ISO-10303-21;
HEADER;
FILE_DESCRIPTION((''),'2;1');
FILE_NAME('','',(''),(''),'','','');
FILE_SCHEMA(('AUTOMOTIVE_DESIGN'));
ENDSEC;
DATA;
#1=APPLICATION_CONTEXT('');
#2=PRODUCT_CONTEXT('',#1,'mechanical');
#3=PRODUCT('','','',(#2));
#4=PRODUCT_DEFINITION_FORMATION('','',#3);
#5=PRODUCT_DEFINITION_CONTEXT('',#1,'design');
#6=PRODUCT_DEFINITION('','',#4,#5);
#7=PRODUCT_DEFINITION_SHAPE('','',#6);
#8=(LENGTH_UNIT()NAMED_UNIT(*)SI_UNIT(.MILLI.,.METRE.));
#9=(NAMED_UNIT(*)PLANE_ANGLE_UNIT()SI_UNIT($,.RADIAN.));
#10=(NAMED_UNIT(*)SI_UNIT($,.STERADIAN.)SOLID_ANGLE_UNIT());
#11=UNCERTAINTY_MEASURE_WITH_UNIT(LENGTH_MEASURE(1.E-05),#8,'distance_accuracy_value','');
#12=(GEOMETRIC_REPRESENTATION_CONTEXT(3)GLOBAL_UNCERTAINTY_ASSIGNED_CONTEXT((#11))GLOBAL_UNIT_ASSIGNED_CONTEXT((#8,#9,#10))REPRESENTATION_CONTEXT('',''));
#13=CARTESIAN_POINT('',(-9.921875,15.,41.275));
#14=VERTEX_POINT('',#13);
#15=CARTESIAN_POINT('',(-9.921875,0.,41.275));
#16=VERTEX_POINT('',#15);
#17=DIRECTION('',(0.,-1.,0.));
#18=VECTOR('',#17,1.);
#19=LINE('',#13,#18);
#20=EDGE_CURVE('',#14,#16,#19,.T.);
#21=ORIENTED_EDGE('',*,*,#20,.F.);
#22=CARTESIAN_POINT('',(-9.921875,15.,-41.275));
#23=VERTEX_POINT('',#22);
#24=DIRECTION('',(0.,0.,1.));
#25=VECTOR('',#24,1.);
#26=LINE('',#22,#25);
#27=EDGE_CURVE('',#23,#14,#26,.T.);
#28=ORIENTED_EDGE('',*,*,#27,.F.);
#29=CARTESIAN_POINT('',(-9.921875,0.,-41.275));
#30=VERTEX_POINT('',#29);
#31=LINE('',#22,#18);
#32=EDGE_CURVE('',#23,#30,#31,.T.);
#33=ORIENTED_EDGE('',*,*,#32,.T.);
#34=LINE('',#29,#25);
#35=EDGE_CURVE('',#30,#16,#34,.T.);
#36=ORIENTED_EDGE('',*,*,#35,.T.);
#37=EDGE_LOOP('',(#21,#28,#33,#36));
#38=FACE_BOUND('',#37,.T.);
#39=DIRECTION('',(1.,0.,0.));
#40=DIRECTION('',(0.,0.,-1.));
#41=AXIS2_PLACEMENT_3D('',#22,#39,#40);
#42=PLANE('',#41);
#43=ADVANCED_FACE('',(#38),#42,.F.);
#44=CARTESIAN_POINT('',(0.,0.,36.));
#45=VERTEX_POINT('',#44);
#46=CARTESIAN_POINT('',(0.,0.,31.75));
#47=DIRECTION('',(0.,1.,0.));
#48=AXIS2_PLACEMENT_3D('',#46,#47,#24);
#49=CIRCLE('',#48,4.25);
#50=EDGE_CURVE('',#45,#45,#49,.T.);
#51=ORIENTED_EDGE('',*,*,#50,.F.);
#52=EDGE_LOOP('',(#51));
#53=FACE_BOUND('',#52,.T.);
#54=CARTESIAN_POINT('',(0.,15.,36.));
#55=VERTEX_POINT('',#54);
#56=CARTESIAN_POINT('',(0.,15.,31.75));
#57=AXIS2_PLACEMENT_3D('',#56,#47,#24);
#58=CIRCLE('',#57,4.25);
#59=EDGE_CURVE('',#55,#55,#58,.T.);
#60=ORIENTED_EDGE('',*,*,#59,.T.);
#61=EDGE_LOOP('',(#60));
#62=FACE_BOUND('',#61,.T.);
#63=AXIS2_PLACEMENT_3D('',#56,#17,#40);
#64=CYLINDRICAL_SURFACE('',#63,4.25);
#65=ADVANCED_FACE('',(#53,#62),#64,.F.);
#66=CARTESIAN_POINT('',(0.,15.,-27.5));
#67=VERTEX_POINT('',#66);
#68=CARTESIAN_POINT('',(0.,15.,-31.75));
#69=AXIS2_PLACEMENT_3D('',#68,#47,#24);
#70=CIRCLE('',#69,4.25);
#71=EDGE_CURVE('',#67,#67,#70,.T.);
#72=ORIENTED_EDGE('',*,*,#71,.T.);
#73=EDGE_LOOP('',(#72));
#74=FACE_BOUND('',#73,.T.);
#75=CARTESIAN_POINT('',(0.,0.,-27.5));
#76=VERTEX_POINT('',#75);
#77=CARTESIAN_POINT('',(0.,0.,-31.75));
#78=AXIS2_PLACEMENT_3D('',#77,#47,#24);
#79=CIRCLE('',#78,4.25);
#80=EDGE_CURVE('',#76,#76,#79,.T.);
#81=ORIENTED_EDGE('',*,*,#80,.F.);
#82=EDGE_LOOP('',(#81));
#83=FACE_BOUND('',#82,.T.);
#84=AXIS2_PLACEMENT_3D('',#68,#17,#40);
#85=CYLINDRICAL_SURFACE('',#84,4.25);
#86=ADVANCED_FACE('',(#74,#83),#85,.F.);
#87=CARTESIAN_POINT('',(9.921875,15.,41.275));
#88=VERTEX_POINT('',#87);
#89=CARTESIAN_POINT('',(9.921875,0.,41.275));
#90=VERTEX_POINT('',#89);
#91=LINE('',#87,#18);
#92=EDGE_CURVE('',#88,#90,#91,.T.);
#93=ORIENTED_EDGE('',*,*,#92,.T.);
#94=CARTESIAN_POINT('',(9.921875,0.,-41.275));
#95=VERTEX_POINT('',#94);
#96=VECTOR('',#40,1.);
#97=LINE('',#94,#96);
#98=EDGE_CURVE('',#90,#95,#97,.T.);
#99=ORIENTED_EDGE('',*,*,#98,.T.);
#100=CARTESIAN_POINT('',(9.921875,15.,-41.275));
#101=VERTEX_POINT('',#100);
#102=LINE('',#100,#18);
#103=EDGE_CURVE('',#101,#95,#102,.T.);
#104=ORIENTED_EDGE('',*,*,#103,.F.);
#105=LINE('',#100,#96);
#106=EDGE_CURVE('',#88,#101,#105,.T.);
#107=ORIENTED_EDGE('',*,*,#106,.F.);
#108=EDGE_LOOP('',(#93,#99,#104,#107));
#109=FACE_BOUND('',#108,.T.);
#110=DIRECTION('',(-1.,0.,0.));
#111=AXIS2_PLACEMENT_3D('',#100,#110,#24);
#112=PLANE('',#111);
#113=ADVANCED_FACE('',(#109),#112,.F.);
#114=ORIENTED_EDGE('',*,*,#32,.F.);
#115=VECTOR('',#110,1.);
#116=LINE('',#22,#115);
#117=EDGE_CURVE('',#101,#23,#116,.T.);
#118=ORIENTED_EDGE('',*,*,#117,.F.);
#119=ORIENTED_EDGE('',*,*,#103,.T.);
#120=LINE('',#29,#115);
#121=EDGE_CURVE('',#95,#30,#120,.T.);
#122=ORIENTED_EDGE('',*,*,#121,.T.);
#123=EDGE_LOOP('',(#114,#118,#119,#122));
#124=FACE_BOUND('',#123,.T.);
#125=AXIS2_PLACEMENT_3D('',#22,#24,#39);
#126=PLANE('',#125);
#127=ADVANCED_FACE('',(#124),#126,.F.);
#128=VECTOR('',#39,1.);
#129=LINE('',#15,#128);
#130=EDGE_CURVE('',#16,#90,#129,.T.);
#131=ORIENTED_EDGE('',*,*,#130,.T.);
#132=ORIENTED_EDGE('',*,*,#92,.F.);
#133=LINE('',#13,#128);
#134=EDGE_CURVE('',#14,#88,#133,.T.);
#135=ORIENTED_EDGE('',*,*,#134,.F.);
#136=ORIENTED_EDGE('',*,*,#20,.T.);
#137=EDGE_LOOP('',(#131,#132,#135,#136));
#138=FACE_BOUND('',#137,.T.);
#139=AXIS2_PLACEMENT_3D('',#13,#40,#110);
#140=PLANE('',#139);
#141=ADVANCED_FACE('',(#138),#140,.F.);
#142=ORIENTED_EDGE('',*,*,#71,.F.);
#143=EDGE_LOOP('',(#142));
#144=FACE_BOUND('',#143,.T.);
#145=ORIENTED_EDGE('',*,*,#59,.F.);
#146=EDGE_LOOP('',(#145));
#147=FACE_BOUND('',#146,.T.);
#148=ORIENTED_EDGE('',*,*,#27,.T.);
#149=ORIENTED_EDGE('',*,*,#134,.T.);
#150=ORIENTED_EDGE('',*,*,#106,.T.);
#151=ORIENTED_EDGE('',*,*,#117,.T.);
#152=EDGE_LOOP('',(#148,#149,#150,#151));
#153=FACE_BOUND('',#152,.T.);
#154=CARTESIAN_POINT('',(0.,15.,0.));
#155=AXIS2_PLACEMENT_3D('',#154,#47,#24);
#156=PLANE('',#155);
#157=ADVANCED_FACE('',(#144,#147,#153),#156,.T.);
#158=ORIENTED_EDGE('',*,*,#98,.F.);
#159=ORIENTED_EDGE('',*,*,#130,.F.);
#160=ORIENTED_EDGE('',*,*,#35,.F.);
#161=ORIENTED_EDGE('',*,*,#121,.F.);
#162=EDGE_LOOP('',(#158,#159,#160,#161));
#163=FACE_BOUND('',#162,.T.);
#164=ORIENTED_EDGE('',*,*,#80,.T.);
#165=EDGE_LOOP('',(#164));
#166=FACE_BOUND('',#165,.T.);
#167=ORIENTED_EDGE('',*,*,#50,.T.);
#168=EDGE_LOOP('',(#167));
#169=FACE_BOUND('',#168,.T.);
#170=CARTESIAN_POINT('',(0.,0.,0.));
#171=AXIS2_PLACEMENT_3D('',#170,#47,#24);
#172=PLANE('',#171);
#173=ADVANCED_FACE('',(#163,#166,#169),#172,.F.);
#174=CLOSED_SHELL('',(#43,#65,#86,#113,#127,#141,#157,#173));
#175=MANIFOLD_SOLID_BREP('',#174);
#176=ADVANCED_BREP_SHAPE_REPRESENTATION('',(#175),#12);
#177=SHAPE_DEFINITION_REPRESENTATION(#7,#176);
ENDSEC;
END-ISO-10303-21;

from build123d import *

# Parameters (mm, degrees)
SKETCH1_W           = 19.84375
SKETCH1_H           = 82.55
SKETCH1_R           = 4.25
BOSS_EXTRUDE1_DEPTH = 15


with BuildPart() as part:
    # Sketch1 → Boss-Extrude1 (new body)
    with BuildSketch(Plane(origin=(0, 0, 0), x_dir=(1, 0, 0), z_dir=(0, 1, 0))):
        Rectangle(SKETCH1_W, SKETCH1_H)
        with Locations(Location((0, -31.75, 0), (0, 0, 270))):
            Circle(SKETCH1_R, mode=Mode.SUBTRACT)
        with Locations(Location((0, 31.75, 0), (0, 0, 270))):
            Circle(SKETCH1_R, mode=Mode.SUBTRACT)
    extrude(amount=BOSS_EXTRUDE1_DEPTH)


solid = part.part
